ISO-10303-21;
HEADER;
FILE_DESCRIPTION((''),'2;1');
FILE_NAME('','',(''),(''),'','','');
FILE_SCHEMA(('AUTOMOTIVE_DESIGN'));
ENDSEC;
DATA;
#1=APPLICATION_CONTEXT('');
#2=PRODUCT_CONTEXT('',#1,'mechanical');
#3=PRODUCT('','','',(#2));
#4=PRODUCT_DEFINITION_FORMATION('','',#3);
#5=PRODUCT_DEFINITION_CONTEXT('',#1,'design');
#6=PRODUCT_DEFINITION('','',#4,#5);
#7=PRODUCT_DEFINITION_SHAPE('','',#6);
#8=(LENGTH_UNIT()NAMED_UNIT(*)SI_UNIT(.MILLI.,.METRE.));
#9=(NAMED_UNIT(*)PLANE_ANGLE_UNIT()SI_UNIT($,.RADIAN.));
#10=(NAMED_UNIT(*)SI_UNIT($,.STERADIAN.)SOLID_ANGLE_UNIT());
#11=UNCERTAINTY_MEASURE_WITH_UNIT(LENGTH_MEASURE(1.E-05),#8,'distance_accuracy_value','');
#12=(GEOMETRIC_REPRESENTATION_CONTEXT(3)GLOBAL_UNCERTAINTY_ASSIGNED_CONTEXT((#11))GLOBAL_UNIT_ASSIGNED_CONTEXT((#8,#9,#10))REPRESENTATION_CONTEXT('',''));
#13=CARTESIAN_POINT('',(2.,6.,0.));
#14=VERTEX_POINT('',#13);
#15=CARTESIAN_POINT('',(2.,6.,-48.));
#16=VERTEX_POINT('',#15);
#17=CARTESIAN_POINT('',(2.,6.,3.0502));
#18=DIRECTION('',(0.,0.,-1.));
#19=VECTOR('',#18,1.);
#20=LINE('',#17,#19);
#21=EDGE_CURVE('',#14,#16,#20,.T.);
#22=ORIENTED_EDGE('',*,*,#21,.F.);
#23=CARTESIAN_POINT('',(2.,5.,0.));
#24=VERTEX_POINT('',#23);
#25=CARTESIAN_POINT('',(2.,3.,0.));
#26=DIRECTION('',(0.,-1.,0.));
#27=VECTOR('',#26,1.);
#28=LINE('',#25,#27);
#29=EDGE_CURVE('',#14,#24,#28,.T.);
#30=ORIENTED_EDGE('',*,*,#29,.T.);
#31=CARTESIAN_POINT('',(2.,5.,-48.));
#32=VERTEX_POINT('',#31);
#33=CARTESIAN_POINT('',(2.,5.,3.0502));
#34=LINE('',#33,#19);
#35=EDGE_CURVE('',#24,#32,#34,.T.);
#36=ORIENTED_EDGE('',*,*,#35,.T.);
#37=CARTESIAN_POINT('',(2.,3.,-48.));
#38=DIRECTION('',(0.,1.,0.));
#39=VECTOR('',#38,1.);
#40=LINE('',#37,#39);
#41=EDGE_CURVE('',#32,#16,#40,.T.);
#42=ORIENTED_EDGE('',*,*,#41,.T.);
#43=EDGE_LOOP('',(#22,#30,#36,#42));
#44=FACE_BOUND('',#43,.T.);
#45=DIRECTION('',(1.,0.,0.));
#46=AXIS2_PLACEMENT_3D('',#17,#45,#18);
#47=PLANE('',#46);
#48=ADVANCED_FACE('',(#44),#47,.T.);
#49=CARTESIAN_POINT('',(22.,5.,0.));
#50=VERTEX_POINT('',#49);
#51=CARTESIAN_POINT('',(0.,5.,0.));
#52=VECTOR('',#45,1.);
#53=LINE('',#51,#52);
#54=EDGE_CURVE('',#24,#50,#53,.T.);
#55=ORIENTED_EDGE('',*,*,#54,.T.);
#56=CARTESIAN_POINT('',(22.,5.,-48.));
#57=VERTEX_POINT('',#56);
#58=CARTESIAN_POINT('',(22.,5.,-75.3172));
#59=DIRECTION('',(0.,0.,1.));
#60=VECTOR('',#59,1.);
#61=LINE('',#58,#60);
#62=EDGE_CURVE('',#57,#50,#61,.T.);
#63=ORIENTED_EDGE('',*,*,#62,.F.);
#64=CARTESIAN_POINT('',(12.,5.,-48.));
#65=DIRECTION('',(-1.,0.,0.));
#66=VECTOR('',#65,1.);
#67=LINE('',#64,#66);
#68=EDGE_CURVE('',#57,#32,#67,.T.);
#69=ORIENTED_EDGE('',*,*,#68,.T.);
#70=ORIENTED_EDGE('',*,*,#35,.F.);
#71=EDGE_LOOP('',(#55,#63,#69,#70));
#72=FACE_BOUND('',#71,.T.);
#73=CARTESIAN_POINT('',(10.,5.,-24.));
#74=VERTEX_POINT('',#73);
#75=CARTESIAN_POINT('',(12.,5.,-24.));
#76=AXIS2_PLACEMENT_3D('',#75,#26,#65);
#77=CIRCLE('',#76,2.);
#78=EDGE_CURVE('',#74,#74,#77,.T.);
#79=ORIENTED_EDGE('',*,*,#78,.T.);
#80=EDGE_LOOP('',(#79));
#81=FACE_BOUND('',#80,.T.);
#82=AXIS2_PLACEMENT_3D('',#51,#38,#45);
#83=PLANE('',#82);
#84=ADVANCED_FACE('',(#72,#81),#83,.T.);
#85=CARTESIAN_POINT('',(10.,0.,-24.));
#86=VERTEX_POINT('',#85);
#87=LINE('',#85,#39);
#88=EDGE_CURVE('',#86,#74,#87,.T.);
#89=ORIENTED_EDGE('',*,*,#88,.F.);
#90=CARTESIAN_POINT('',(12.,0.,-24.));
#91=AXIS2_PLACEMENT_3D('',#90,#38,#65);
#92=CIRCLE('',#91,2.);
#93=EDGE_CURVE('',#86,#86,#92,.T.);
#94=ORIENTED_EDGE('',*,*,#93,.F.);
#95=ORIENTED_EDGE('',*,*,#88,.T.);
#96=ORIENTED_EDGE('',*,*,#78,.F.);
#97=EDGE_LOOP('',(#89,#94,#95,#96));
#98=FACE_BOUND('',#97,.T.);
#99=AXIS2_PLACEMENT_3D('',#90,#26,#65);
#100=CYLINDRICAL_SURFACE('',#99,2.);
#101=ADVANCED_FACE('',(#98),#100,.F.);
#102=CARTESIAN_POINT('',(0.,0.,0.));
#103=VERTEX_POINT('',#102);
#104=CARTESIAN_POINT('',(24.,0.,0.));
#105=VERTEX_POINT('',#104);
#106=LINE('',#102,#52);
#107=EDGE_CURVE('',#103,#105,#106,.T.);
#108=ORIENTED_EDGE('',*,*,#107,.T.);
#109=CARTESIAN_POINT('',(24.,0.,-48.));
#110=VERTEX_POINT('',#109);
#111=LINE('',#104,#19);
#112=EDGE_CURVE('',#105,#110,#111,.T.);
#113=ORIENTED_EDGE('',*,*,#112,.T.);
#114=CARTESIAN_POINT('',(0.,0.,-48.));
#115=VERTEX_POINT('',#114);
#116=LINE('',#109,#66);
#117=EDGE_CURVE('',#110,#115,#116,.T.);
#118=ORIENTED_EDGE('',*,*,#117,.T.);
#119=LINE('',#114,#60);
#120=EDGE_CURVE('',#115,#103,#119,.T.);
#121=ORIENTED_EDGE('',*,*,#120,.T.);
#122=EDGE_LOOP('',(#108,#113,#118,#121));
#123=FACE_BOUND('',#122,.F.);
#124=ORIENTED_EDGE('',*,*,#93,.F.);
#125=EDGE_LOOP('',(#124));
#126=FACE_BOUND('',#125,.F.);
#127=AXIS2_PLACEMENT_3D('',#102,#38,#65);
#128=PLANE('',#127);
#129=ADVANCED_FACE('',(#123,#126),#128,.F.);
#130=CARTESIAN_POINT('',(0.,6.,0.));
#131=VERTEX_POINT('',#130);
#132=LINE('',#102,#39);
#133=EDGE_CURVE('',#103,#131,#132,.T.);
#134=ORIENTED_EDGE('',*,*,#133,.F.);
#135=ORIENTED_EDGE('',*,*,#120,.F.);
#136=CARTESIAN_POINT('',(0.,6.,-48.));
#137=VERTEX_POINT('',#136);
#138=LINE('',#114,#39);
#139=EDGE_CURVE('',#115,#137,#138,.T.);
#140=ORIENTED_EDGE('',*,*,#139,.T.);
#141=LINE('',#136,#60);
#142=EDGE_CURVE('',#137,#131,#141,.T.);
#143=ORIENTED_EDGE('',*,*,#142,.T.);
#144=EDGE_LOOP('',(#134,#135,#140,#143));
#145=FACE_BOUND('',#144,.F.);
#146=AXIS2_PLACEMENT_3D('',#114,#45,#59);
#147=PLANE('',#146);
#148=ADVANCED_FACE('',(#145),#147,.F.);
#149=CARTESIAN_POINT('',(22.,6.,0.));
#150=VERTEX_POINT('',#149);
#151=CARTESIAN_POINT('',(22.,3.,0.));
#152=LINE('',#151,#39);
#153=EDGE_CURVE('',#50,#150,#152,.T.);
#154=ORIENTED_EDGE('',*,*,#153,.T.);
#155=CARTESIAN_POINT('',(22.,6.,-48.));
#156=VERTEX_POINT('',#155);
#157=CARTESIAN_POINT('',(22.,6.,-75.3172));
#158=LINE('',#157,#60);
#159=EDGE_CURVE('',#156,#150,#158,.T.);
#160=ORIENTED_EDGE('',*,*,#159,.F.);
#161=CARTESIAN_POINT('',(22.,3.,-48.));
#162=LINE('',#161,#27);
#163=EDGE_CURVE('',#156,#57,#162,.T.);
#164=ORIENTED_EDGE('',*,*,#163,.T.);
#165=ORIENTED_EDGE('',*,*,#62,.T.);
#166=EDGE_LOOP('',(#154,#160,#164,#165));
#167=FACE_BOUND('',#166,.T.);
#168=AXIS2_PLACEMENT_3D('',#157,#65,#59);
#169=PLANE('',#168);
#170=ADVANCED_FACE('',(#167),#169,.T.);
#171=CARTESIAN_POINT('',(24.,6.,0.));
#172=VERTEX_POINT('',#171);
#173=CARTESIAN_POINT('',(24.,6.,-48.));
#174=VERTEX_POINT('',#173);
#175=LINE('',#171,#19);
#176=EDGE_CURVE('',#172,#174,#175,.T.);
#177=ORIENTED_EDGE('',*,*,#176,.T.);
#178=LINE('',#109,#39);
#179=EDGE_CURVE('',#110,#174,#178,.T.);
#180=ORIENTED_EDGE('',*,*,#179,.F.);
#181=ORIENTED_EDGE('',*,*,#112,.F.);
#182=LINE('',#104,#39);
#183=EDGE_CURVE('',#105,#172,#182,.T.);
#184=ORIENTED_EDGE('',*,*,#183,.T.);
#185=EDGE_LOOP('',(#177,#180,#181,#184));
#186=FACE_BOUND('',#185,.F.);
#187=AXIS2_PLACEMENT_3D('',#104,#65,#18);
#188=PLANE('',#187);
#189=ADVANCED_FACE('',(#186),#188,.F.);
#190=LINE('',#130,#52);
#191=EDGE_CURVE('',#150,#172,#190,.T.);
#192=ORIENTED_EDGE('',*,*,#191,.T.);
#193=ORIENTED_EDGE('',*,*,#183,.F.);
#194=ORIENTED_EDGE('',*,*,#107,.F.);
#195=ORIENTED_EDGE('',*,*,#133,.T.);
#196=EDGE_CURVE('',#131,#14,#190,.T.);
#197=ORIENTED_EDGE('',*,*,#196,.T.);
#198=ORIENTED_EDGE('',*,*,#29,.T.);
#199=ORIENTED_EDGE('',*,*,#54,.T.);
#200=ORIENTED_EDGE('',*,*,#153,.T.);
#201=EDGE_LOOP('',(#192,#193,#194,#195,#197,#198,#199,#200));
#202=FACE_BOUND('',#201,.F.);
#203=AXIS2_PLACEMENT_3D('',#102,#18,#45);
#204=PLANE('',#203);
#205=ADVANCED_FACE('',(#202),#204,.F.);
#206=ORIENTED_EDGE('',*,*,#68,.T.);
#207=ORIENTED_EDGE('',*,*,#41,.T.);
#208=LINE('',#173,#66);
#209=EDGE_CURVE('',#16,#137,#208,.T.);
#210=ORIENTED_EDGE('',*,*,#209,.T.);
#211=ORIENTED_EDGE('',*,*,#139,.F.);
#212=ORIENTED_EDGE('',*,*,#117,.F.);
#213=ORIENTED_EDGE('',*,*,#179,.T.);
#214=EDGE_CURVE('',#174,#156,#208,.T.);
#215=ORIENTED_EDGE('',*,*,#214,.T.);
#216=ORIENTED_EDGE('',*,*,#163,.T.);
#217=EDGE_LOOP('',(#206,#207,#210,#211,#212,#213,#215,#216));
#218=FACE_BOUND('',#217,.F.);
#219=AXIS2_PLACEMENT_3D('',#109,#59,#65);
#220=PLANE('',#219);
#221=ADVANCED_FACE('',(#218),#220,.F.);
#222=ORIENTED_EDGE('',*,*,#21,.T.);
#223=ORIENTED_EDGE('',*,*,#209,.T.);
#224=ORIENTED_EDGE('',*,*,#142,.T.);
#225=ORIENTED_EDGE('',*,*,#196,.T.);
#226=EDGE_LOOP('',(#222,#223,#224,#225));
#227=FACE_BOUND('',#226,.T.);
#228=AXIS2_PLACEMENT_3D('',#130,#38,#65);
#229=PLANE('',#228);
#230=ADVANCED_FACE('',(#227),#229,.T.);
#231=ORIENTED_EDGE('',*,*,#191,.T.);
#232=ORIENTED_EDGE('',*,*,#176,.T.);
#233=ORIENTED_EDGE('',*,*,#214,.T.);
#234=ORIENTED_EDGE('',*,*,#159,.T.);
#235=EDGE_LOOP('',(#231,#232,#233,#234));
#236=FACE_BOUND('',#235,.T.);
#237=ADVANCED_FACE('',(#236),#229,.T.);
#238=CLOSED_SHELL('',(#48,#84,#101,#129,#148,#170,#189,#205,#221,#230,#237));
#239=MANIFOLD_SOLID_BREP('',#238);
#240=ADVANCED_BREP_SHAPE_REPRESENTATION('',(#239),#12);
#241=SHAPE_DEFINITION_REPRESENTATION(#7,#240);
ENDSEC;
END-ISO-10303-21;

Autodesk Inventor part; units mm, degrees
ref_plane "YZ Plane" through (0, 0, 0) normal (1, 0, 0) x (0, 1, 0)
ref_plane "XZ Plane" through (0, 0, 0) normal (0, 1, 0) x (-1, 0, 0)
ref_plane "XY Plane" through (0, 0, 0) normal (0, 0, 1) x (1, 0, 0)
sketch "Sketch1" plane through (0, 0, 0) normal (0, 1, 0) x (-1, 0, 0)
  line L0 (0, 0) -> (-24, 0)
  line L1 (-24, 0) -> (-24, -48)
  line L2 (-24, -48) -> (0, -48)
  line L3 (0, -48) -> (0, 0)
  circle A0 centre (-12, -24) radius 2
  point P0 (-24, -24)
  point P1 (-12, 0)
  dimension "d0" = 24
  dimension "d1" = 48
  dimension "d2" = 4
extrude "Extrusion1" add sketch "Sketch1" along normal blind 6
sketch "Sketch2" plane through (0, 6, 0) normal (0, 1, 0) x (1, 0, 0)
  line L0 (2, 75.3172) -> (22, 75.3172)
  line L1 (22, 75.3172) -> (22, -3.0502)
  line L2 (22, -3.0502) -> (2, -3.0502)
  line L3 (2, -3.0502) -> (2, 75.3172)
  line L4 (0, 48) -> (0, 0) projected
  dimension "d5" = 20
  dimension "d6" = 2
extrude "Extrusion2" cut sketch "Sketch2" against normal blind 1
properties part number "centershortNEW"
